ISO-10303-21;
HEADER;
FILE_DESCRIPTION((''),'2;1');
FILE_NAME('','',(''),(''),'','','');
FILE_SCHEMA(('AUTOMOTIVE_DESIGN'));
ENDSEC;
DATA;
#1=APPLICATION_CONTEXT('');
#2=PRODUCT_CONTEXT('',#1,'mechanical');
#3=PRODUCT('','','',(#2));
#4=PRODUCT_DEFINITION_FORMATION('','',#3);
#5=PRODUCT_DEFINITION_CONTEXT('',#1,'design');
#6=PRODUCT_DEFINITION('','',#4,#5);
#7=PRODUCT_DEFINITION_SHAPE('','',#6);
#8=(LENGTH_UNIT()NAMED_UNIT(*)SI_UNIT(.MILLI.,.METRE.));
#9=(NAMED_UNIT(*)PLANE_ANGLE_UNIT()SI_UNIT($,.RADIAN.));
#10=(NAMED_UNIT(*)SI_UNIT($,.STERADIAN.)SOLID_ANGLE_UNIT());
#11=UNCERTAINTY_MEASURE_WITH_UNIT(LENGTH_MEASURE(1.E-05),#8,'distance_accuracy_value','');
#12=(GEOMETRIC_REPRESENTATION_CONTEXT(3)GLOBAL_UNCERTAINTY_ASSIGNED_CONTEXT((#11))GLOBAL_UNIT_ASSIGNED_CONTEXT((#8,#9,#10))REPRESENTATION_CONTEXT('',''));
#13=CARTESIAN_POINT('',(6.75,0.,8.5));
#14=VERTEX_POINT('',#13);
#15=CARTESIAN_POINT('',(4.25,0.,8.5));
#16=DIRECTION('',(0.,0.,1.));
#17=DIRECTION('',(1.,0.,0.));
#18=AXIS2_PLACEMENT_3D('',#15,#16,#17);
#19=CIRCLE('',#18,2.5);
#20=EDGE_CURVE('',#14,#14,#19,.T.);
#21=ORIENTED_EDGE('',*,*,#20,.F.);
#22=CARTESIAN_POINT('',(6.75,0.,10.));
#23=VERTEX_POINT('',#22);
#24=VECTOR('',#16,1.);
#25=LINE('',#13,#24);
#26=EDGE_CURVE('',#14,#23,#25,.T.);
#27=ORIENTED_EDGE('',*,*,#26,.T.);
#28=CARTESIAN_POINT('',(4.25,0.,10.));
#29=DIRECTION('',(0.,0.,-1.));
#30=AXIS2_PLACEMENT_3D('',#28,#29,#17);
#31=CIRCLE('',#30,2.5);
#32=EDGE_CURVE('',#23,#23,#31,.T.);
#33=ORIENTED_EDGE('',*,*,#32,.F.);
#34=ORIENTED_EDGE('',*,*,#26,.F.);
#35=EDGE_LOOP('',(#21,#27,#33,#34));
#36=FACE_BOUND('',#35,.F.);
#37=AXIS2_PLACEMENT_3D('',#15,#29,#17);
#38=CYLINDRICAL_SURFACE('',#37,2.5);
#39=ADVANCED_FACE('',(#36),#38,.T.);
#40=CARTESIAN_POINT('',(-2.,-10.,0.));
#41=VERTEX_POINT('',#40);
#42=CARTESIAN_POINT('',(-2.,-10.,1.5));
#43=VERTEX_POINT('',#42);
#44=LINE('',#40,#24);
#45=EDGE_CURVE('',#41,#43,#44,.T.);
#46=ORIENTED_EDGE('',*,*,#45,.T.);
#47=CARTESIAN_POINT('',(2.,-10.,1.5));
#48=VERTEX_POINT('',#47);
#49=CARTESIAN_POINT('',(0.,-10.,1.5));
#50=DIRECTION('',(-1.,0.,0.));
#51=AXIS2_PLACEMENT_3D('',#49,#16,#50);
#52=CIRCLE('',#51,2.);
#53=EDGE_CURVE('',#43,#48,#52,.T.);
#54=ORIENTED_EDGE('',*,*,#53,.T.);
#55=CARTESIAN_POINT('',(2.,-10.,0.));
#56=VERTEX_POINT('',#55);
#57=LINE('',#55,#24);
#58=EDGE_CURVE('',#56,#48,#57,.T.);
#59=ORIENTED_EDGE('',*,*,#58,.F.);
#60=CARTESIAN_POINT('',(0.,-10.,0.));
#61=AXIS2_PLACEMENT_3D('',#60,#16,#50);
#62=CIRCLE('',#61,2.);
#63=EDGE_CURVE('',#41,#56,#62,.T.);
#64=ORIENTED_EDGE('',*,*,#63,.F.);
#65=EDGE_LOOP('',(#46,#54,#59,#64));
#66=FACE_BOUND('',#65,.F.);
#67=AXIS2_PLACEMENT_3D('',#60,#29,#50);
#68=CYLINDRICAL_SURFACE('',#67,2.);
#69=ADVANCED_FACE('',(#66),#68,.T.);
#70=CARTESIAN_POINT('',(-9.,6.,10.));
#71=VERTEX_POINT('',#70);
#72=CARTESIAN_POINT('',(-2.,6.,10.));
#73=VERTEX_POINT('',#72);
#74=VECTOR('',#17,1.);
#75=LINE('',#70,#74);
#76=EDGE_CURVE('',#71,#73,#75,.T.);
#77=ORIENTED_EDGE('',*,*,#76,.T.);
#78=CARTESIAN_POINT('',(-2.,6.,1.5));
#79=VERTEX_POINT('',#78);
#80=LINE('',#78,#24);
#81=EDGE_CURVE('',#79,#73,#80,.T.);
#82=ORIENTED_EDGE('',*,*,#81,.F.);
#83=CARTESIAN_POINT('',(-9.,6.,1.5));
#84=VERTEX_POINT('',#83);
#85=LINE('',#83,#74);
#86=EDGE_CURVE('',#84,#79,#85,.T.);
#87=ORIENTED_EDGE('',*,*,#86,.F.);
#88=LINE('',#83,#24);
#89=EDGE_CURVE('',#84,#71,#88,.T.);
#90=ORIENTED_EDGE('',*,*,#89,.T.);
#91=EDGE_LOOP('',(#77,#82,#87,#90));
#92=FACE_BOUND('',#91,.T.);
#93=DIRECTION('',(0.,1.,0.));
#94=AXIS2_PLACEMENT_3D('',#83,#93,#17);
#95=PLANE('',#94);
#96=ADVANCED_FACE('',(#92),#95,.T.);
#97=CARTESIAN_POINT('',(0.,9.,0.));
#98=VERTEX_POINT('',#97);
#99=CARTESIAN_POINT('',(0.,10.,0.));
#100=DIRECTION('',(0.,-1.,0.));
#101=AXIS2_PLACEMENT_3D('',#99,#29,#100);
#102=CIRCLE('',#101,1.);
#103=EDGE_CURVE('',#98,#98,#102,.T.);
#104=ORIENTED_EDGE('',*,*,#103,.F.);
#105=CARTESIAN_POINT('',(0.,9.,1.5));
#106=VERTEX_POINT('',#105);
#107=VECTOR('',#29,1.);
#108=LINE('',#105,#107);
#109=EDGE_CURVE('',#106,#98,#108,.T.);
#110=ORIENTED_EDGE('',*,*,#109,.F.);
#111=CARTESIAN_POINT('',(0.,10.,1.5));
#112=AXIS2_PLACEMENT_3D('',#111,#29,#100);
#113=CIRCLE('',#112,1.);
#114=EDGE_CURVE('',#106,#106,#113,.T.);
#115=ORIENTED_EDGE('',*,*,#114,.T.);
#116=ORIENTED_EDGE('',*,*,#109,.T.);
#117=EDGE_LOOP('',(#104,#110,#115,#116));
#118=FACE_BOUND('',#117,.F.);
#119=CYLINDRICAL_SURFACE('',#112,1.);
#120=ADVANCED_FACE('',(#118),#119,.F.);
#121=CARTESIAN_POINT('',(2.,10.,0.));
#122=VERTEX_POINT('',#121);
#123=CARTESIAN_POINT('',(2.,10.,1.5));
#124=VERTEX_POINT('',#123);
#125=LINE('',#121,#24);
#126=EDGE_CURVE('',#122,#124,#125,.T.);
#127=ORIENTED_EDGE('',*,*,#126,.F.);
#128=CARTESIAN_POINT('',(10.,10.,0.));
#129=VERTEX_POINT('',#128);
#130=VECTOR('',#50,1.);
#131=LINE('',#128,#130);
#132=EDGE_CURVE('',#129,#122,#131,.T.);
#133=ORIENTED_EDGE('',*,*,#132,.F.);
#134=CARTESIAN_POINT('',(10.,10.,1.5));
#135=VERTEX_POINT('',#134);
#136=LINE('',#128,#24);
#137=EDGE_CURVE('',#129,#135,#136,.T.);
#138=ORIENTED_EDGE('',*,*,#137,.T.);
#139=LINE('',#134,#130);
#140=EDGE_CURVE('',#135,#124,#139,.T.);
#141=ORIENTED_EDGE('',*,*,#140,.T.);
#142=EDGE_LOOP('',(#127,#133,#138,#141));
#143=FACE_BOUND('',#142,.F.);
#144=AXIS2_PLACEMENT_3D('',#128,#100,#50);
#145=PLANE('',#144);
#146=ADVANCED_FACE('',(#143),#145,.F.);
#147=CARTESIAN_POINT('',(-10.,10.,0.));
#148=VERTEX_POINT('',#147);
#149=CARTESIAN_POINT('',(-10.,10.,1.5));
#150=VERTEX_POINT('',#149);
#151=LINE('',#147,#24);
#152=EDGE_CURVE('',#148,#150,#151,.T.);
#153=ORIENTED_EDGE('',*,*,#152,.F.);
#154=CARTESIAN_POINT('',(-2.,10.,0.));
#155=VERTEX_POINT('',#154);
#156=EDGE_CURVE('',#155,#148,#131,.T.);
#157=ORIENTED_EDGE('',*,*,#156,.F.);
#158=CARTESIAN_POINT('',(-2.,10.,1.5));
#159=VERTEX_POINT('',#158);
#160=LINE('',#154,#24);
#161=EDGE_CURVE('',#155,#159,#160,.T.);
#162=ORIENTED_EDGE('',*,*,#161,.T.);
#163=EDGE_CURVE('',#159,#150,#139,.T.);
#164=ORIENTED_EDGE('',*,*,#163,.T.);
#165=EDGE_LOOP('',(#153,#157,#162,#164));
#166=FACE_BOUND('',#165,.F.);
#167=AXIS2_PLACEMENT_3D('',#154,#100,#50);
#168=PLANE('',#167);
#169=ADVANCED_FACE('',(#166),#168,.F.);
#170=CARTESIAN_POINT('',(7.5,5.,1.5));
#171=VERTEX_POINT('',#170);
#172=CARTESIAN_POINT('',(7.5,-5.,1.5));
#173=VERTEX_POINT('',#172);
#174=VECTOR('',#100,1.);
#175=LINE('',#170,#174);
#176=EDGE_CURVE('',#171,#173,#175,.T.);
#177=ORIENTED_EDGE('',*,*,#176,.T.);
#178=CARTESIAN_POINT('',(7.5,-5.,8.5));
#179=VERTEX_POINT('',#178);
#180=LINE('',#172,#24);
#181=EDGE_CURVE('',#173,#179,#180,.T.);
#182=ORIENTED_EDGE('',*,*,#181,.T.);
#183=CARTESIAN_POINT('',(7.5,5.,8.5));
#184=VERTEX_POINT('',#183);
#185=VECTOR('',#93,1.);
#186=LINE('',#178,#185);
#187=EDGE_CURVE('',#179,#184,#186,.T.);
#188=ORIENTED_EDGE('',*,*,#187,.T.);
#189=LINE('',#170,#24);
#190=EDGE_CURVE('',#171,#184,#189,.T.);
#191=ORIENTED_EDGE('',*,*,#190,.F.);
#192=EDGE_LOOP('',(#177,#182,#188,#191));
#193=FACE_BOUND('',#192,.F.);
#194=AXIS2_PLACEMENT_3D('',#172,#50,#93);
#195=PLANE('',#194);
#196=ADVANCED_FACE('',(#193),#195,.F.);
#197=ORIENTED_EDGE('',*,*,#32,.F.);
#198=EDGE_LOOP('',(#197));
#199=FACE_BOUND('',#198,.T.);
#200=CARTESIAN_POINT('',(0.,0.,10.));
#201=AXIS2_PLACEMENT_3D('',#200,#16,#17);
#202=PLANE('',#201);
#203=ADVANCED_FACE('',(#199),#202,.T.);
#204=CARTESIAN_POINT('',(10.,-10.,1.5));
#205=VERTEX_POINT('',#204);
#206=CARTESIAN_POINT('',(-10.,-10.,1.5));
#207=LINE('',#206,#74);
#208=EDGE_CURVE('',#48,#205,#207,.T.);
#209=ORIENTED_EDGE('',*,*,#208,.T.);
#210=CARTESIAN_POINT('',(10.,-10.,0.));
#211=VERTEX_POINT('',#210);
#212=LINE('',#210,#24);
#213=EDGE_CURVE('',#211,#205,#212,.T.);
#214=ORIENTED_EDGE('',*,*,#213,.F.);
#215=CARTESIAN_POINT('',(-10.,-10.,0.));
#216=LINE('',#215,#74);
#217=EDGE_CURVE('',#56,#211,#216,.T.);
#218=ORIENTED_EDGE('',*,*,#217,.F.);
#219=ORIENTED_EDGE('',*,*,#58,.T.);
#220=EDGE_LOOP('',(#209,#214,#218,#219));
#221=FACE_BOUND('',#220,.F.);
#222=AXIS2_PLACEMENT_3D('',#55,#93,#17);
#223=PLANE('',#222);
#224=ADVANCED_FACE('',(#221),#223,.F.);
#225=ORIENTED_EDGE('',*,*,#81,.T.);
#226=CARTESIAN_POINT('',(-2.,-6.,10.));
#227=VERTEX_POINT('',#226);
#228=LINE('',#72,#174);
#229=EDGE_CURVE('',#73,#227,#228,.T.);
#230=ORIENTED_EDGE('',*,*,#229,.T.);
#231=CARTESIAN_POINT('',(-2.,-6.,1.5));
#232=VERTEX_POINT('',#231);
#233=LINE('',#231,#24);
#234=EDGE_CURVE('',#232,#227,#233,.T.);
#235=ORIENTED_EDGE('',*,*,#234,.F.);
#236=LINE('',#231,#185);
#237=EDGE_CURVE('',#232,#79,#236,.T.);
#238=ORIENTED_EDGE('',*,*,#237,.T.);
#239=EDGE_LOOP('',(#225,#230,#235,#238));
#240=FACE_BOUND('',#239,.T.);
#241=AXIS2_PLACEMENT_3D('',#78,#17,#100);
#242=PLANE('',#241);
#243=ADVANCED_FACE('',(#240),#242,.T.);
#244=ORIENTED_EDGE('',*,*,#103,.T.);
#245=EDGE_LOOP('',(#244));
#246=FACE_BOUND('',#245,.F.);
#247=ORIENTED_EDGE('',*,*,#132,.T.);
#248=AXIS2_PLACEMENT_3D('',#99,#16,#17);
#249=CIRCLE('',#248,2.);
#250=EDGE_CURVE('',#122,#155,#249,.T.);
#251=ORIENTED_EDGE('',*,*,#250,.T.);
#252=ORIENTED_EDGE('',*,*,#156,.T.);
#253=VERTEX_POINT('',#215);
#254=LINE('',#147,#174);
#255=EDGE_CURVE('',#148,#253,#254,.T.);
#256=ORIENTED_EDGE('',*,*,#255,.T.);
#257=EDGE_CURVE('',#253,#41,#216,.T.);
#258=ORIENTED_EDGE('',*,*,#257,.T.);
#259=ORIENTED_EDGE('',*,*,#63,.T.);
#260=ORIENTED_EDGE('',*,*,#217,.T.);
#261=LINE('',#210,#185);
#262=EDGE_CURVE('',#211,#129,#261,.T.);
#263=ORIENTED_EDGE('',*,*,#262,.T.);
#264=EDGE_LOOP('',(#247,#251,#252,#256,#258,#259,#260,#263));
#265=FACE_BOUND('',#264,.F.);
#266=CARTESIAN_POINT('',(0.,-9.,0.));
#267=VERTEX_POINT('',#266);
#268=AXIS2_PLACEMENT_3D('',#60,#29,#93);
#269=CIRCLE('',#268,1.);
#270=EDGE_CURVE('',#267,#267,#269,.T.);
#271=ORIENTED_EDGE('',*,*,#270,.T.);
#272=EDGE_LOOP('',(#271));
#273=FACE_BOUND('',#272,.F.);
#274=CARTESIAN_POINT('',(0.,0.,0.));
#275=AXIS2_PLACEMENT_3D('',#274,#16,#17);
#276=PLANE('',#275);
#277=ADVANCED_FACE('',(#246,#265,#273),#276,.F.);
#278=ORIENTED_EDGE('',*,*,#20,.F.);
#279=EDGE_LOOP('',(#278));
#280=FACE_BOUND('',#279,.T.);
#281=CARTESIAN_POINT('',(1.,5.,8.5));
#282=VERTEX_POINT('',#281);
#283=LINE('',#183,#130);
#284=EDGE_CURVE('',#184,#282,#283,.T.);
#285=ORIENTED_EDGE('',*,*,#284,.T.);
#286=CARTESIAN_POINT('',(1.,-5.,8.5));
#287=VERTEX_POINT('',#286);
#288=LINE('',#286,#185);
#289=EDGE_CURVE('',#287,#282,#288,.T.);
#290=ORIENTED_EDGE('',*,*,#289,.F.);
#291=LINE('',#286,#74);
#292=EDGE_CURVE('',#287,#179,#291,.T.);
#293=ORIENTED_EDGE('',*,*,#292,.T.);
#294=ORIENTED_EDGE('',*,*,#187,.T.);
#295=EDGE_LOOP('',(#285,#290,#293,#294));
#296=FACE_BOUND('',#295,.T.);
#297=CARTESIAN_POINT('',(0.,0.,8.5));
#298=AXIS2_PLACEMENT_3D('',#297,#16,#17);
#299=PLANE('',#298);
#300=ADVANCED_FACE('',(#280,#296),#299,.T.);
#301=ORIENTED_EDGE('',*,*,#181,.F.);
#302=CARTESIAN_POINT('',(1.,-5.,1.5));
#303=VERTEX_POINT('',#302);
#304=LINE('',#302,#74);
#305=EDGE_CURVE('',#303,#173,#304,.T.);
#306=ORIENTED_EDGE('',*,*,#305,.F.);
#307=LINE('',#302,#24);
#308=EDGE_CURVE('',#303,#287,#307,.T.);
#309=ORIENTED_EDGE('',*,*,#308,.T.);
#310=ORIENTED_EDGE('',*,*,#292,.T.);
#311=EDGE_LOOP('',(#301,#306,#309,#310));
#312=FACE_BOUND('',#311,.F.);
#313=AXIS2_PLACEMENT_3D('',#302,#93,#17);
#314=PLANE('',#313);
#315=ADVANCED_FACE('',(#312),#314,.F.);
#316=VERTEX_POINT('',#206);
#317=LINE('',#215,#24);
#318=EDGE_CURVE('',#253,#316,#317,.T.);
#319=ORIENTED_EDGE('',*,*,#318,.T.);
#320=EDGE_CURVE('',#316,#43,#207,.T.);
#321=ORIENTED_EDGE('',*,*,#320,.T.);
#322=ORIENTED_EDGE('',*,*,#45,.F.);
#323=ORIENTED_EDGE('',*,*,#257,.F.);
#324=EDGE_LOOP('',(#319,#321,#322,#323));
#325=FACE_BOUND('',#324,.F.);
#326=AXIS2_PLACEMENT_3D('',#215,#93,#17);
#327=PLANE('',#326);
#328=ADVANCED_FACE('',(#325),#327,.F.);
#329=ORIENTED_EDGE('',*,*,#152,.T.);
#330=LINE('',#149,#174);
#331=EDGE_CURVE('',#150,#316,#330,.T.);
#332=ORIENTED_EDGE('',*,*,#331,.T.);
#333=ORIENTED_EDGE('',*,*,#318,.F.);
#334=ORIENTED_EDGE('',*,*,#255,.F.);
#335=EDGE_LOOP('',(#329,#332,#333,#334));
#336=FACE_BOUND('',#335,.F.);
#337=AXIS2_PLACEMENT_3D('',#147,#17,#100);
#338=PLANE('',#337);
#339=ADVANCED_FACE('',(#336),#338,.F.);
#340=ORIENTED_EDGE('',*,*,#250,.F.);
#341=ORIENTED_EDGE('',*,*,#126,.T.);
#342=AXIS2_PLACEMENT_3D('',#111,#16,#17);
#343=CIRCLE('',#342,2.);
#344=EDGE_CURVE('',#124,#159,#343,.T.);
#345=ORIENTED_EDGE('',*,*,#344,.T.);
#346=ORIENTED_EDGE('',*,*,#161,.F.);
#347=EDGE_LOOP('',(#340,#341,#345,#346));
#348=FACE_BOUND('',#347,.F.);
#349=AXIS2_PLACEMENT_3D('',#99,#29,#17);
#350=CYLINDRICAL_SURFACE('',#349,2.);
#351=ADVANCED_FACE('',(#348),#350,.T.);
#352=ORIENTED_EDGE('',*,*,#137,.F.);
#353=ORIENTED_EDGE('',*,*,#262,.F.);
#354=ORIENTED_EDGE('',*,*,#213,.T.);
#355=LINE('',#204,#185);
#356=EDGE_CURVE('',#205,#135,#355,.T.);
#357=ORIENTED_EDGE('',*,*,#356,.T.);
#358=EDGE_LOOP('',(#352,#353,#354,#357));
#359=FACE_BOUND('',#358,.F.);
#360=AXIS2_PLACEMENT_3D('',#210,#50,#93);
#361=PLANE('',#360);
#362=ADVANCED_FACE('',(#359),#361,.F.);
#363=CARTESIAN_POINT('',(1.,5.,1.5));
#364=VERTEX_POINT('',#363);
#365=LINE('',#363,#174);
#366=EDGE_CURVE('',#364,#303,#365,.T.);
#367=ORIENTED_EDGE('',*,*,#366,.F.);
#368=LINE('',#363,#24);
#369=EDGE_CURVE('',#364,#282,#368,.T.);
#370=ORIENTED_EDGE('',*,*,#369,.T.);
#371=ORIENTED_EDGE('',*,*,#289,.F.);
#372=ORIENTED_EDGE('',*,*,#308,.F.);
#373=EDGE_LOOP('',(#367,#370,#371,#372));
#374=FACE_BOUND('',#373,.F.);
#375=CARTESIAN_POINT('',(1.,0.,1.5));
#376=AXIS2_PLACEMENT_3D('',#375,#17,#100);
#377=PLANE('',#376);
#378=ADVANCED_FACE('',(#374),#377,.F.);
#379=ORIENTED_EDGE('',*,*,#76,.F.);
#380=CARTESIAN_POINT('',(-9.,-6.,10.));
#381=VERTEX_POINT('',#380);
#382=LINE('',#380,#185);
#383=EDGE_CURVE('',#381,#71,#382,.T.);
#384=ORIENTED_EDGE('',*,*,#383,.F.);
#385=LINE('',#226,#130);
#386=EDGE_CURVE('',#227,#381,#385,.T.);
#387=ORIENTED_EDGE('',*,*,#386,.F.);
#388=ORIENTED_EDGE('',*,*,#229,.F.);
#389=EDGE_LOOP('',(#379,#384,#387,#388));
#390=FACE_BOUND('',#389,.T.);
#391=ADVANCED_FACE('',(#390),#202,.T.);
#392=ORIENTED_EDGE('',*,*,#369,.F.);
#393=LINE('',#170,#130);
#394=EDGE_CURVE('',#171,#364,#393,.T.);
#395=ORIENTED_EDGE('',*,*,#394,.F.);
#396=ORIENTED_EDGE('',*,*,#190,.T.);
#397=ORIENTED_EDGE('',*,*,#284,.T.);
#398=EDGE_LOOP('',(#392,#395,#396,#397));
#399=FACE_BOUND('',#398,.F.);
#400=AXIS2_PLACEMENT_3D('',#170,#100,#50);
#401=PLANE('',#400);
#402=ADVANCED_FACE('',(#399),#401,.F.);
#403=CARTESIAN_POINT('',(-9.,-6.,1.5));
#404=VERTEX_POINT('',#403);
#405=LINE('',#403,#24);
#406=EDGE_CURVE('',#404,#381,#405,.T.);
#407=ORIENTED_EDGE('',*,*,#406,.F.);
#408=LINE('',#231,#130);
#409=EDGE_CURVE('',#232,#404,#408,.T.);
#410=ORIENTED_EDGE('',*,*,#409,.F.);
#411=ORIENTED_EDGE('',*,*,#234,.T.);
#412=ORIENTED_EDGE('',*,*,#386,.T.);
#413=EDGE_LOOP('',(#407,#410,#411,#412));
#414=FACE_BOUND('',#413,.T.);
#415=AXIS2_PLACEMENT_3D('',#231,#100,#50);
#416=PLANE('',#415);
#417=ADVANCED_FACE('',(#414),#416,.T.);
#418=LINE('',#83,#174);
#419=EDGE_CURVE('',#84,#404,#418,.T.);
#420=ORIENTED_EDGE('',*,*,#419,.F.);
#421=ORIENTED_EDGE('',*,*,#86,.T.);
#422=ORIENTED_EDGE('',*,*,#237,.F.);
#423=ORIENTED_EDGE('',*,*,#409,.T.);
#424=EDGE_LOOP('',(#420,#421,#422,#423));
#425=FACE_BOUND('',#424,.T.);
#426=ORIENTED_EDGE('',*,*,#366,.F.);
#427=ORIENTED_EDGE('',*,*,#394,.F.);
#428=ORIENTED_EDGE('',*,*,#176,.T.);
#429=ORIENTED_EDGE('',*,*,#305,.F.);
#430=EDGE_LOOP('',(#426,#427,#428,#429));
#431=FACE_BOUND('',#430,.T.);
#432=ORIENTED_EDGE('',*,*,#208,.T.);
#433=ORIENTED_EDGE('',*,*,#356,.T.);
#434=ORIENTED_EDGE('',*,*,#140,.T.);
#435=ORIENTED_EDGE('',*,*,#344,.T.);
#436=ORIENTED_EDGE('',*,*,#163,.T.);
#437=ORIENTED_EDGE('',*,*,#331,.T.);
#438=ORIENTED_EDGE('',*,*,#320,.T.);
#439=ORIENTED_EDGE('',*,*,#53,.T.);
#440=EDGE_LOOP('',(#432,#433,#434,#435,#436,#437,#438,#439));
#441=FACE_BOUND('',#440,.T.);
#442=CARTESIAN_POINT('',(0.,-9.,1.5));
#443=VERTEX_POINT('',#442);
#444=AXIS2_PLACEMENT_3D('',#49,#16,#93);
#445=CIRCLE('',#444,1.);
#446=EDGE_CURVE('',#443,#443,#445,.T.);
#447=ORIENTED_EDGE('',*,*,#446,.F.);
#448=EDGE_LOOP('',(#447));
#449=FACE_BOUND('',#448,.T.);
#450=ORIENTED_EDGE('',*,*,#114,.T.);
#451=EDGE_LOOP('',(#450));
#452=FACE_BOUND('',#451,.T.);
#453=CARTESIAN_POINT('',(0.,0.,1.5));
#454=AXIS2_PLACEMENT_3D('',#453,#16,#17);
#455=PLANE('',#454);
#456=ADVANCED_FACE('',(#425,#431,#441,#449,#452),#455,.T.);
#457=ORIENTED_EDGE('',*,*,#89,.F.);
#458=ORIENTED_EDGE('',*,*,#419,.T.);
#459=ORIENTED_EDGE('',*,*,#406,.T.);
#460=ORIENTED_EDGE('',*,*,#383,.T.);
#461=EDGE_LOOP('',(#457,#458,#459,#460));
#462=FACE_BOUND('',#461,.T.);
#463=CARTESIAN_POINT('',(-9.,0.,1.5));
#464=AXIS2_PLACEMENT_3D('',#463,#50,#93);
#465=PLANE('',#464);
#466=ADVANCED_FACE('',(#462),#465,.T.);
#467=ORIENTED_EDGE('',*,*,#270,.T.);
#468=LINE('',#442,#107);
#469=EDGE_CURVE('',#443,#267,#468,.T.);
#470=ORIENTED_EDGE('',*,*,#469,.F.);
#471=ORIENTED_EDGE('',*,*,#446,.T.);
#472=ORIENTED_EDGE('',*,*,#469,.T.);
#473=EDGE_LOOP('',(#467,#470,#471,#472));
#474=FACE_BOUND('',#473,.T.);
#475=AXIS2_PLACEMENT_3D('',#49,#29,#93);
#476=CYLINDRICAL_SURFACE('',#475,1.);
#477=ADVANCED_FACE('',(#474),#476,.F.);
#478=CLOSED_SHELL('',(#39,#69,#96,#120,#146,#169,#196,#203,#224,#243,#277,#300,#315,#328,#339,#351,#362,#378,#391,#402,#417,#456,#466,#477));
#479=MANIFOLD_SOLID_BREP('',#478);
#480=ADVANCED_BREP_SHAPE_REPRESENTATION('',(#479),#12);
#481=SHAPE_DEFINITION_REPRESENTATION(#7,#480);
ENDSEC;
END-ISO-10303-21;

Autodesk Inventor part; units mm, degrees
ref_plane "YZ Plane" through (0, 0, 0) normal (1, 0, 0) x (0, 1, 0)
ref_plane "XZ Plane" through (0, 0, 0) normal (0, 1, 0) x (-1, 0, 0)
ref_plane "XY Plane" through (0, 0, 0) normal (0, 0, 1) x (1, 0, 0)
sketch "Sketch1" plane through (0, 0, 0) normal (0, 0, 1) x (1, 0, 0)
  line L0 (-10, -10) -> (10, -10)
  line L1 (10, -10) -> (10, 10)
  line L2 (10, 10) -> (-10, 10)
  line L3 (-10, 10) -> (-10, -10)
  line L4 (-10, -10) -> (10, 10) construction
  line L5 (10, -10) -> (-10, 10) construction
  arc A0 (2, 10) -> (-2, 10) centre (0, 10) ccw
  arc A1 (-2, -10) -> (2, -10) centre (0, -10) ccw
  point P0 (0, 0)
  dimension "d0" = 20
  dimension "d1" = 20
  dimension "d4" = 4
  dimension "d5" = 4
extrude "Extrusion1" add sketch "Sketch1" along normal blind 1.5
sketch "Sketch2" plane through (0, 0, 1.5) normal (0, 0, 1) x (1, 0, 0)
  arc A0 (2, 10) -> (-2, 10) centre (0, 10) ccw projected
  point P0 (0, 0)
hole "Hole1" at (0, 10, 1.5) direction (0, 0, -1) diameter 2 end through all
mirror "Mirror1" about plane through (0, 0, 0) normal (0, 1, 0) of "Hole1"
sketch "Sketch3" plane through (0, 0, 1.5) normal (0, 0, 1) x (1, 0, 0)
  line L0 (1, -5) -> (7.5, -5)
  line L1 (7.5, -5) -> (7.5, 5)
  line L2 (7.5, 5) -> (1, 5)
  line L3 (1, 5) -> (1, -5)
  line L4 (1, -5) -> (7.5, 5) construction
  line L5 (7.5, -5) -> (1, 5) construction
  circle A0 centre (0, 10) radius 1 projected
  line L6 (1, 10) -> (1, 0) construction
  circle A1 centre (0, 10) radius 1 projected
  line L7 (10, -10) -> (10, 10) projected
  line L8 (-14, 0) -> (14, 0) projected
  point P0 (0, 0)
  point P1 (4.25, 0)
  point P2 (4.25, 0)
  dimension "d13" = 2.5
  dimension "d14" = 10
extrude "Extrusion2" add sketch "Sketch3" along normal blind 7 contours L3 L8 L1 L0 | L3 L2 L1 L8
sketch "Sketch4" plane through (0, 0, 8.5) normal (0, 0, 1) x (1, 0, 0)
  circle A0 centre (4.25, 0) radius 2.5
  line L0 (-14, 0) -> (14, 0) projected
  line L1 (7.5, 5) -> (1, 5) projected
  line L2 (4.25, 5) -> (4.25, 0) construction
  point P0 (0, 0)
  dimension "d17" = 5
extrude "Extrusion3" add sketch "Sketch4" along normal blind 1.5
sketch "Sketch5" plane through (0, 0, 1.5) normal (0, 0, 1) x (1, 0, 0)
  line L0 (-9, 6) -> (-2, 6)
  line L1 (-2, 6) -> (-2, -6)
  line L2 (-2, -6) -> (-9, -6)
  line L3 (-9, -6) -> (-9, 6)
  line L4 (-9, 6) -> (-2, -6) construction
  line L5 (-2, 6) -> (-9, -6) construction
  line L6 (-26.8178, 0) -> (16.1363, 0) projected
  line L7 (-10, 10) -> (-10, -10) projected
  point P0 (0, 0)
  point P1 (-5.5, 0)
  point P2 (-5.5, 0)
  dimension "d20" = 7
  dimension "d21" = 12
  dimension "d22" = 1
extrude "Extrusion4" add sketch "Sketch5" along normal blind 8.5
properties part number "button"
